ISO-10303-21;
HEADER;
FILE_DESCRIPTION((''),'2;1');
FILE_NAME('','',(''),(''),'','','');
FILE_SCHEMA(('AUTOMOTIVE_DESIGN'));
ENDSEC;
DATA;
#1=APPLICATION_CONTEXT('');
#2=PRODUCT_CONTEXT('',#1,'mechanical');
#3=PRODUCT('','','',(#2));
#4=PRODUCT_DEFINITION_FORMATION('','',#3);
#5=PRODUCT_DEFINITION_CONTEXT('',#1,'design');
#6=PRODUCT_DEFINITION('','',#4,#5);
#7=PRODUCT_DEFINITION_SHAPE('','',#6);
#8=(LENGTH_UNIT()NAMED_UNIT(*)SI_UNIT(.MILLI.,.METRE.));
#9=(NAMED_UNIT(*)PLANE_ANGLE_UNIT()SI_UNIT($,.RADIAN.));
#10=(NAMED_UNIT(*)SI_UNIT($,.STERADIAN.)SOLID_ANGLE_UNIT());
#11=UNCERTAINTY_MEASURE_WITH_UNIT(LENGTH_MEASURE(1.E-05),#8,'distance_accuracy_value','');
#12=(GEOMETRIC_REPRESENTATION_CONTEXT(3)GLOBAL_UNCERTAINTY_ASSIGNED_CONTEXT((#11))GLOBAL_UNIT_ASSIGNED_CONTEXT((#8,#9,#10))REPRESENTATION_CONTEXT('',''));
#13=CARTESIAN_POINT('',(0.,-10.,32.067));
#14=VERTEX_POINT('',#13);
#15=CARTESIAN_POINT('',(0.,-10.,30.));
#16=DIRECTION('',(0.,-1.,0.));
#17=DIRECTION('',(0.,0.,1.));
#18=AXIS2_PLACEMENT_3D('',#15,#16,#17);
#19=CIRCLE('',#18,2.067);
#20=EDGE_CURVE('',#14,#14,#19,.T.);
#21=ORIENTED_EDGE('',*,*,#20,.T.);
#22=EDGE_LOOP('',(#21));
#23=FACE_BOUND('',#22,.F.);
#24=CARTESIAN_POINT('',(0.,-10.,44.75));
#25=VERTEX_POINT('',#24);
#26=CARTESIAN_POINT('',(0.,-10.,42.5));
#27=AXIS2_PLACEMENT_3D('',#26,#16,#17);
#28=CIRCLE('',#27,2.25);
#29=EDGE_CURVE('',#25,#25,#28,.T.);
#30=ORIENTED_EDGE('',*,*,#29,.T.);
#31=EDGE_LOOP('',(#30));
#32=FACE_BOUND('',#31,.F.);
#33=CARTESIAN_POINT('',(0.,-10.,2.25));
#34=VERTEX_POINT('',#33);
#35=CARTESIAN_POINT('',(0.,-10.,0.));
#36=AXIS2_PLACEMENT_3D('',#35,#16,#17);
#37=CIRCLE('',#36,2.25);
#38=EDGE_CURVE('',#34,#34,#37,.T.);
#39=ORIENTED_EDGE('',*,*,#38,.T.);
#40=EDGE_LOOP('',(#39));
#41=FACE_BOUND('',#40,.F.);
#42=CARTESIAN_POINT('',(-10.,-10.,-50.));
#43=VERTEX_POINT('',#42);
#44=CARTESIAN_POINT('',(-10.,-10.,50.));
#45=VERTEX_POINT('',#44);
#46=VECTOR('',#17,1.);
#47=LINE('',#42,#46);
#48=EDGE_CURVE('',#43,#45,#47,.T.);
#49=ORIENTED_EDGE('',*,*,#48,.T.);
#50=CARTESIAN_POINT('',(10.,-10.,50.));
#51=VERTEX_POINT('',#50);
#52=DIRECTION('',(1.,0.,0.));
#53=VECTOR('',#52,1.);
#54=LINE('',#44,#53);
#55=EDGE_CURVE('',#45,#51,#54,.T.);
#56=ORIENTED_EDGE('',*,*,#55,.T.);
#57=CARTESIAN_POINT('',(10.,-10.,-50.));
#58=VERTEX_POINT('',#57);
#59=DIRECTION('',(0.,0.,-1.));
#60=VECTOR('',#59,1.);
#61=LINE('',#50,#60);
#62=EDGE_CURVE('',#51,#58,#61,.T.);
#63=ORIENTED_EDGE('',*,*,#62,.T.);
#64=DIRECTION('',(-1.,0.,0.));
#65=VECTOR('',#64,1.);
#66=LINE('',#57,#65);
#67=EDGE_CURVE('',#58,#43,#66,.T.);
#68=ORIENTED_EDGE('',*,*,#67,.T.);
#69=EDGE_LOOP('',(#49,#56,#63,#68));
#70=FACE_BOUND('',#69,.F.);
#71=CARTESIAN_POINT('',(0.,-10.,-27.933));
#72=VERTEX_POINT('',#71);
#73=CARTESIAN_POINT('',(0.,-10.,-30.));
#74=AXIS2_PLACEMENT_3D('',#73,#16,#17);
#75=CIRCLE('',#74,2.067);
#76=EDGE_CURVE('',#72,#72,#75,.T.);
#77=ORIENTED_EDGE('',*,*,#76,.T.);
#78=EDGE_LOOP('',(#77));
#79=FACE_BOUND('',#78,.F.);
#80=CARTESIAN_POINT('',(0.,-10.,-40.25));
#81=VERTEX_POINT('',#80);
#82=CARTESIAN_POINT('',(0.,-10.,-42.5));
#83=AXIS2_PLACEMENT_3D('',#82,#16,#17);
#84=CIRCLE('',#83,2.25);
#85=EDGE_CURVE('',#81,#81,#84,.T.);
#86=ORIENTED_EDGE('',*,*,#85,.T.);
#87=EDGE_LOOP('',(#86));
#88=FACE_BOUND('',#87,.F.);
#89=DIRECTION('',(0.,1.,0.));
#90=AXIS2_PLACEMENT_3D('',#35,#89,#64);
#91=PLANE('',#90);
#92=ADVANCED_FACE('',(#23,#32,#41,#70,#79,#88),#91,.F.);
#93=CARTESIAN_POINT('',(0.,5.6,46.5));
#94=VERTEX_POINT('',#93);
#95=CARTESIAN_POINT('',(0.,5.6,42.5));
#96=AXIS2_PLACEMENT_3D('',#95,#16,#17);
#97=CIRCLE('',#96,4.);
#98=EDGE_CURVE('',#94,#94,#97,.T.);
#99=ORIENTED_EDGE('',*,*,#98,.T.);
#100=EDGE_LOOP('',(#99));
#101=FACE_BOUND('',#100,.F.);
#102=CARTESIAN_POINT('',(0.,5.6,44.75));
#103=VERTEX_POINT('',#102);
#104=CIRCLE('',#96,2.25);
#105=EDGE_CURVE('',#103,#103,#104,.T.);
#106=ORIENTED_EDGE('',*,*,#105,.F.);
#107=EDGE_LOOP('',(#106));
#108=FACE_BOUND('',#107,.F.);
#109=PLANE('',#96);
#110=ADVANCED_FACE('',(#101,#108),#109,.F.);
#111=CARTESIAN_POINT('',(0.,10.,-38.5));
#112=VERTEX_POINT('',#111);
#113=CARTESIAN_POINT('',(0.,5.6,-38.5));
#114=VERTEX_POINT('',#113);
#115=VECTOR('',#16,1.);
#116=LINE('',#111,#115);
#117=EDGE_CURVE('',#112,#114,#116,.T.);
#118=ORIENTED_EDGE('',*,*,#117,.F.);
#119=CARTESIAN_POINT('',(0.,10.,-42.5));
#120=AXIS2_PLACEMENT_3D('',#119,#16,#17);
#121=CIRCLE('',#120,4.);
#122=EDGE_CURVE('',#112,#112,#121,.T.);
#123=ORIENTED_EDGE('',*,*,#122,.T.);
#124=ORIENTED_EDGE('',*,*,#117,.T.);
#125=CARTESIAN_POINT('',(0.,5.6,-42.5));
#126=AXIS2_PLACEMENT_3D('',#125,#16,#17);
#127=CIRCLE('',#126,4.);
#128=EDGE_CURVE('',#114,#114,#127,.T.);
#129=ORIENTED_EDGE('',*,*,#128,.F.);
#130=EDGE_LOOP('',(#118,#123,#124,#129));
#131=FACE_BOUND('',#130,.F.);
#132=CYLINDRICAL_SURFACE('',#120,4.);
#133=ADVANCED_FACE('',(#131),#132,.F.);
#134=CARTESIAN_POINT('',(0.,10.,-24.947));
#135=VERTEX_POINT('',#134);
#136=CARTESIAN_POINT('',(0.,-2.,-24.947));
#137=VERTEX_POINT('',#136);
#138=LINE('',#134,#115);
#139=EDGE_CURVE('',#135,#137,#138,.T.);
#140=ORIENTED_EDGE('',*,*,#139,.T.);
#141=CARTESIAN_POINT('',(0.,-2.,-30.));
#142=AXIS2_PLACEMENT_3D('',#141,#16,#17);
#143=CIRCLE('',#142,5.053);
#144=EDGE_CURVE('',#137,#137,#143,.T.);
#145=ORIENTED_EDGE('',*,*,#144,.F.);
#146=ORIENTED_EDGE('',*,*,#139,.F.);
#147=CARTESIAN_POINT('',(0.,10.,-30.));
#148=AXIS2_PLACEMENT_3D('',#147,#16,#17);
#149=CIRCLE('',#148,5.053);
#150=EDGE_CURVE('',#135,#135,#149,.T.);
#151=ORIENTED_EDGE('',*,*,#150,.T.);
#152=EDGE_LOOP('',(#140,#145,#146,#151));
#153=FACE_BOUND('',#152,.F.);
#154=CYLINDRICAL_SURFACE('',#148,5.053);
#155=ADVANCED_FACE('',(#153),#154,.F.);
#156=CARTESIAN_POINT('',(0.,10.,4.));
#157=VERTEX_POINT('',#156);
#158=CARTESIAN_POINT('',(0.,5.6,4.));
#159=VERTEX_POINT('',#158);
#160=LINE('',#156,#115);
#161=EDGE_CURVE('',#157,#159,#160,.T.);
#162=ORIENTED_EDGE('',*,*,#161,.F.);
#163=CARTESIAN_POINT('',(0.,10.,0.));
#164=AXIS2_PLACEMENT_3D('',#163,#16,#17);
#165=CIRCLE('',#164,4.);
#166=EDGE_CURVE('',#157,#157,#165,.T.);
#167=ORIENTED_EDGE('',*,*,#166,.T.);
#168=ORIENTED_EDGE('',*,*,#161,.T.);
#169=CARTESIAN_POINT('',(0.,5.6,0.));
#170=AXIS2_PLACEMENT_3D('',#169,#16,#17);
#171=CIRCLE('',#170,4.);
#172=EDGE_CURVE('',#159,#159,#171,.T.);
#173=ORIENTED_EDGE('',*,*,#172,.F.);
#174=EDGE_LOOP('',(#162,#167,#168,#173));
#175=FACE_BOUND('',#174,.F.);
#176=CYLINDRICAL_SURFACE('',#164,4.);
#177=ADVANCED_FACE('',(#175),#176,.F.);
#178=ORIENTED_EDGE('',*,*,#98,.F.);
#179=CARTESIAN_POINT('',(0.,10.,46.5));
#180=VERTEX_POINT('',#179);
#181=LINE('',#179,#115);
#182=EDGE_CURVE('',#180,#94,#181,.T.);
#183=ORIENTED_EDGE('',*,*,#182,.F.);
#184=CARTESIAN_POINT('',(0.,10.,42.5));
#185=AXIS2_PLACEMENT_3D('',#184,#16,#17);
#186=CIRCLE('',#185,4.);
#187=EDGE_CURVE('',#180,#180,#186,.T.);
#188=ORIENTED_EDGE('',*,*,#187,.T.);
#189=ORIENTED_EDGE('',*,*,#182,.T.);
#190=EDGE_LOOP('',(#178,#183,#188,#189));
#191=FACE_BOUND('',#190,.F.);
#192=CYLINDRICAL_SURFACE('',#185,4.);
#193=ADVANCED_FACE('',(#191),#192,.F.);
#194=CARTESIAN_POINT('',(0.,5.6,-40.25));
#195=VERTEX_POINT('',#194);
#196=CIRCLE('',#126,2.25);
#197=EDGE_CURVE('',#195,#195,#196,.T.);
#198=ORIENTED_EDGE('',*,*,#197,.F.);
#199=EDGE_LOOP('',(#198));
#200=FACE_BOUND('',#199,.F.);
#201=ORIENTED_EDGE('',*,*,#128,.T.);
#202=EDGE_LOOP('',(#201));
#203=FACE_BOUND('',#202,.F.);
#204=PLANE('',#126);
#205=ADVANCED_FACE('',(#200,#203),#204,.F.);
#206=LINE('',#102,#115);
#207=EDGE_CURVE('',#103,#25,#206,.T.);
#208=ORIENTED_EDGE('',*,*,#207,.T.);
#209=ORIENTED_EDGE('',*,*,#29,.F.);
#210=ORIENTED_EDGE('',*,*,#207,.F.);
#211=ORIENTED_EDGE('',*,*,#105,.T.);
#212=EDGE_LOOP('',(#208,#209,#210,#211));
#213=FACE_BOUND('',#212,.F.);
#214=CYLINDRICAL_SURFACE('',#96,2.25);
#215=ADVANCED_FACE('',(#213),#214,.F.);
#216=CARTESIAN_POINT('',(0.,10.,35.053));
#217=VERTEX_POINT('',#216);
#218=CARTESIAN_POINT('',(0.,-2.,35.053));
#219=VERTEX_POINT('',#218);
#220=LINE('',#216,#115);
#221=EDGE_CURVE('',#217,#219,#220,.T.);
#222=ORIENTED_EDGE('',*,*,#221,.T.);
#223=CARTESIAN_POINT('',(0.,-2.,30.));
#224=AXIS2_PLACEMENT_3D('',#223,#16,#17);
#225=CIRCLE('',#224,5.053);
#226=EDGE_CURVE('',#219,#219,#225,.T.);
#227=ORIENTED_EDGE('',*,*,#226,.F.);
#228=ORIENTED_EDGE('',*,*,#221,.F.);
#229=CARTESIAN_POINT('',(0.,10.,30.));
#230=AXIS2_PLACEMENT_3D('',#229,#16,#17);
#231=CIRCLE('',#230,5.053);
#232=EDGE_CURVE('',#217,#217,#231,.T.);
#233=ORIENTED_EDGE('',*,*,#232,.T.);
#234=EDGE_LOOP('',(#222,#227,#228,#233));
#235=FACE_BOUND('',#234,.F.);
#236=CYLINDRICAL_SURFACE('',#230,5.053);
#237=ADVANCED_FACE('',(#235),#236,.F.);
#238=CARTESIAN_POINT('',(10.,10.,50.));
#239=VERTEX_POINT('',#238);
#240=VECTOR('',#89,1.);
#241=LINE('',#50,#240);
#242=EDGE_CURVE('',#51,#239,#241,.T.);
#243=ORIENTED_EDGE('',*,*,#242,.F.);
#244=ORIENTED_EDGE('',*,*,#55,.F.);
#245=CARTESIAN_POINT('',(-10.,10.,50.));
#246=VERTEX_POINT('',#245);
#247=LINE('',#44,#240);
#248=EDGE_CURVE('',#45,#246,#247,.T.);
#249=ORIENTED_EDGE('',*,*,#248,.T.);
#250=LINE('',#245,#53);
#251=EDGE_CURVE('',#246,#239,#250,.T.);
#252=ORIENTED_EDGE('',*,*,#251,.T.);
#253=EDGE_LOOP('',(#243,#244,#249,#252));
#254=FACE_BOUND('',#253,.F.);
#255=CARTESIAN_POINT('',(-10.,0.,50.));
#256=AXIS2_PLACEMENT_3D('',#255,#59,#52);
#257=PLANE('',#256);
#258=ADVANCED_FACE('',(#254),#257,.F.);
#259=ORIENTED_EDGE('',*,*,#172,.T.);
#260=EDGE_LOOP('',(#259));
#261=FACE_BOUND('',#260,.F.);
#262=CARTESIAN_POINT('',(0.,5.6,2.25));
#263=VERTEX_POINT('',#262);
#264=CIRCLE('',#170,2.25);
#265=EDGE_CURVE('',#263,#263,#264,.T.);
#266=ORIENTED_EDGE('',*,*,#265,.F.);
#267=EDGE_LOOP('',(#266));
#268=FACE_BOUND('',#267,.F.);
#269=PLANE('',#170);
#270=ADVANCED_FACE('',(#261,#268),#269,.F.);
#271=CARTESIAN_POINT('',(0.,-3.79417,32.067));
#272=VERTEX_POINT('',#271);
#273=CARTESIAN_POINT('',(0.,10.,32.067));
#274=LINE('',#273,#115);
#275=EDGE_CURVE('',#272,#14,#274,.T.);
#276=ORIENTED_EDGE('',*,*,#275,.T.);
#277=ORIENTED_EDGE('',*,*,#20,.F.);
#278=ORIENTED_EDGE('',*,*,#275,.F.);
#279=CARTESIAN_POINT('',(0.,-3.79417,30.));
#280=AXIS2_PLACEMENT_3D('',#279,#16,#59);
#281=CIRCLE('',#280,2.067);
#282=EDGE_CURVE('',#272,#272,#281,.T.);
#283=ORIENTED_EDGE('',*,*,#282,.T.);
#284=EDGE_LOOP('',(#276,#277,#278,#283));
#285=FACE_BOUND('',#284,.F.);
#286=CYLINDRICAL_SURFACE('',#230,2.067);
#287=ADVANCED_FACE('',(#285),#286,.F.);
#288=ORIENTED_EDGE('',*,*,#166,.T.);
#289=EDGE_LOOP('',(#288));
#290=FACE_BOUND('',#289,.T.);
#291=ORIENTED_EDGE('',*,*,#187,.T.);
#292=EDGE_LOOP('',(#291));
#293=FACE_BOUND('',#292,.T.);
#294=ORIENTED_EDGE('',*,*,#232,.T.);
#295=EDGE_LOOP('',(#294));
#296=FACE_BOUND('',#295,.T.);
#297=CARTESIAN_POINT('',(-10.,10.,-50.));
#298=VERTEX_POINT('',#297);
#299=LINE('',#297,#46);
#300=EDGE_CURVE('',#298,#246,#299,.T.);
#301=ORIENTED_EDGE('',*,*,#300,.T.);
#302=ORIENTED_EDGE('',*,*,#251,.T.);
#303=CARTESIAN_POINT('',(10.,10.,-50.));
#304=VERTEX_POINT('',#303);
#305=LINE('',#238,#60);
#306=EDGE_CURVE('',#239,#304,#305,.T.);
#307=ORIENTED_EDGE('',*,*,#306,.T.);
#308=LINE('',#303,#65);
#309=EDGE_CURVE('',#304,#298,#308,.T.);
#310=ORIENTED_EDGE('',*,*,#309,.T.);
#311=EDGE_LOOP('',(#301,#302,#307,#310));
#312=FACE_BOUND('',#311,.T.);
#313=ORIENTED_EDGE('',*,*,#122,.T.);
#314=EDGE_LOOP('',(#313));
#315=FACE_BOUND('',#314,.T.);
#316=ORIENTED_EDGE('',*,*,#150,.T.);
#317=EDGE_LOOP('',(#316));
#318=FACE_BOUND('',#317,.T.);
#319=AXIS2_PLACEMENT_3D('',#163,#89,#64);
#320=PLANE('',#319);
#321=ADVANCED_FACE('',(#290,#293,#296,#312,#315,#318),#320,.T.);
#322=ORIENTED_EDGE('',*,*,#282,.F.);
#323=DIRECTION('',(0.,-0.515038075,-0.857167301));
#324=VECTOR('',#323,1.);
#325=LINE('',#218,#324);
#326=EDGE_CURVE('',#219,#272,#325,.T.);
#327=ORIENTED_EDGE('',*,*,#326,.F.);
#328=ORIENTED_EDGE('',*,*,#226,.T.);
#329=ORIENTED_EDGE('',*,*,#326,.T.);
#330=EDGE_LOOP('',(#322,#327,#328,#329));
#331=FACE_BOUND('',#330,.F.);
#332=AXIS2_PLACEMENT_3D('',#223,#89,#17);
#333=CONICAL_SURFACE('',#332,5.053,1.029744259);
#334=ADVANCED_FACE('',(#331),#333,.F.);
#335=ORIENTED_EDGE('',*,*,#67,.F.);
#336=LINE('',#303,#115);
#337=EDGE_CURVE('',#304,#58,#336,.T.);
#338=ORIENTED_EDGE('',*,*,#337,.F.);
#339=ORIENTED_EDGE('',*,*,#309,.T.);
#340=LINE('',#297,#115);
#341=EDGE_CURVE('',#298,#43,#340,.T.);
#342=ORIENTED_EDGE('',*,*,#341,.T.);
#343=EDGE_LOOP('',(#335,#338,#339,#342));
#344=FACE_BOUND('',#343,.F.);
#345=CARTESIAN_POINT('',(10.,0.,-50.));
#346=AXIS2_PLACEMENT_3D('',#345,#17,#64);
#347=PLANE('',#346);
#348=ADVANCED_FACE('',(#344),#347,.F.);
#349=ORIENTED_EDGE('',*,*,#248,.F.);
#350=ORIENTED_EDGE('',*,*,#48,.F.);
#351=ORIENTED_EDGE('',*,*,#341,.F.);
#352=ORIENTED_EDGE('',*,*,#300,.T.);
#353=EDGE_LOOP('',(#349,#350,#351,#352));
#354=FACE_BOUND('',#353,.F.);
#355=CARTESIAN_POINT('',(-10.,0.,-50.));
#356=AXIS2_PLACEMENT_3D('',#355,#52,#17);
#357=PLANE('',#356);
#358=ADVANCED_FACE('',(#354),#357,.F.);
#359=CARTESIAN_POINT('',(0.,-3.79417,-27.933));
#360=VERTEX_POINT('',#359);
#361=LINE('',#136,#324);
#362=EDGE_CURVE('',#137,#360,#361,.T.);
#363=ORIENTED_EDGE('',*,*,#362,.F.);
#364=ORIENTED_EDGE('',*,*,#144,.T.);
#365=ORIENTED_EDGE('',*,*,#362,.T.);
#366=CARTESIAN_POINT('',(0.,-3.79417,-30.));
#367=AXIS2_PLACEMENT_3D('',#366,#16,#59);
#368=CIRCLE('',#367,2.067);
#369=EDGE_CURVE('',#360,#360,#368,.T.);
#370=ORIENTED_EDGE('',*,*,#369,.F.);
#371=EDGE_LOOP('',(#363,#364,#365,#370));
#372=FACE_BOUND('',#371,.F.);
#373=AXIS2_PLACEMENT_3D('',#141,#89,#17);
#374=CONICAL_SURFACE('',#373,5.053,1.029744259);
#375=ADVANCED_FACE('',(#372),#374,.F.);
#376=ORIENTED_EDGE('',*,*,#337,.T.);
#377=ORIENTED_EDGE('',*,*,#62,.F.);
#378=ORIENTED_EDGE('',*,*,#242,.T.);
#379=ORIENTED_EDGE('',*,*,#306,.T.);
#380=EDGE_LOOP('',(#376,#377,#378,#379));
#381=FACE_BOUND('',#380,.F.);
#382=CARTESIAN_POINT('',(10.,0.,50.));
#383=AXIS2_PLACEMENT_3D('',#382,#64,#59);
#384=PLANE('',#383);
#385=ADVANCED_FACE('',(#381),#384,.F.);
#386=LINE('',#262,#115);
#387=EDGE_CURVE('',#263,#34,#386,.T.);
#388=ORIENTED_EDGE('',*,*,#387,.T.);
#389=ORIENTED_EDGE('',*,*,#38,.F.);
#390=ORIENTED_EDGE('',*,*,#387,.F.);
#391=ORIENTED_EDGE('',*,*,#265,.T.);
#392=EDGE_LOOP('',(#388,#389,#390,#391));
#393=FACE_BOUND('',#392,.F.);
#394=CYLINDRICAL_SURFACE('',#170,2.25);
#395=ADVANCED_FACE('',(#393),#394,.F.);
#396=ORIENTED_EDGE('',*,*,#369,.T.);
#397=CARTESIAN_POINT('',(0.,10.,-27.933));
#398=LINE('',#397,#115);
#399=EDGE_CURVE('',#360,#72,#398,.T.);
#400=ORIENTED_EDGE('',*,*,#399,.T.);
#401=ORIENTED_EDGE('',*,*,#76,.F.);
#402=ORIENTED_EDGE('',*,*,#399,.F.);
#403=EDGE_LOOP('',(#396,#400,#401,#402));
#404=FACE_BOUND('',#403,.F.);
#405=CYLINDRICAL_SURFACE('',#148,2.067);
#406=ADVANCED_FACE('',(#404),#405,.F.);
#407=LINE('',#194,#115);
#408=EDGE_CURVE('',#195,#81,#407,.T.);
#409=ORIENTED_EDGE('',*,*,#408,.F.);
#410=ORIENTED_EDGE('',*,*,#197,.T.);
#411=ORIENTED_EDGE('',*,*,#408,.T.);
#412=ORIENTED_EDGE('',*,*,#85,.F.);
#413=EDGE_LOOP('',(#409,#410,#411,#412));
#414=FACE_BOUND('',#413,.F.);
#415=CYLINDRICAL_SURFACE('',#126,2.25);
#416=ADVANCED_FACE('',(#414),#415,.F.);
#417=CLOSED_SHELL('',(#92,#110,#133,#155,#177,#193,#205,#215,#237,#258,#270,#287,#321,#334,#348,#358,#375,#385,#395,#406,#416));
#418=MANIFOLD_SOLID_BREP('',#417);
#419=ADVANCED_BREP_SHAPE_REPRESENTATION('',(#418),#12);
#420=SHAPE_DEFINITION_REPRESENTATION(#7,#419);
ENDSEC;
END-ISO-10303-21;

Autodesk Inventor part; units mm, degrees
ref_plane "YZ Plane" through (0, 0, 0) normal (1, 0, 0) x (0, 1, 0)
ref_plane "XZ Plane" through (0, 0, 0) normal (0, 1, 0) x (-1, 0, 0)
ref_plane "XY Plane" through (0, 0, 0) normal (0, 0, 1) x (1, 0, 0)
sketch "Skizze1" plane through (0, 0, 0) normal (0, 1, 0) x (-1, 0, 0)
  line L0 (10, 50) -> (-10, 50)
  line L1 (-10, 50) -> (-10, -50)
  line L2 (-10, -50) -> (10, -50)
  line L3 (10, -50) -> (10, 50)
  line L4 (10, 50) -> (-10, -50) construction
  line L5 (-10, 50) -> (10, -50) construction
  point P0 (0, 0)
  dimension "d0" = 100
  dimension "d1" = 20
extrude "Extrusion1" add sketch "Skizze1" along normal mid plane 20
sketch "Skizze2" plane through (0, 10, 0) normal (0, 1, 0) x (1, 0, 0)
  line L0 (-10, 50) -> (-10, -50) projected
  line L1 (-10, 0) -> (10, 0)
  line L2 (10, -50) -> (10, 50) projected
  point P0 (0, 0)
  point P1 (0, -30)
  point P2 (0, 30)
  dimension "d4" = 60
hole "Bohrung1" at (0, 10, 30) at (0, 10, -30) direction (0, -1, 0) diameter 10.106 depth 12 tip angle 118 thread size "M12x1.75" class "6H" standard "ISO Metric profile"
sketch "Skizze3" plane through (0, 10, 0) normal (0, 1, 0) x (1, 0, 0)
  circle A0 centre (0, -30) radius 5.053 projected
  point P0 (0, 0)
hole "Bohrung2" at (0, 10, 30) direction (0, -1, 0) diameter 4.134 end through all thread size "M5x0.8" class "6H" standard "ISO Metric profile"
sketch "Skizze4" plane through (0, 10, 0) normal (0, 1, 0) x (1, 0, 0)
  circle A0 centre (0, 30) radius 5.053 projected
  point P0 (0, 0)
hole "Bohrung3" at (0, 10, -30) direction (0, -1, 0) diameter 4.134 end through all thread size "M5x0.8" class "6H" standard "ISO Metric profile"
sketch "Skizze5" plane through (0, 10, 0) normal (0, 1, 0) x (1, 0, 0)
  line L0 (-10, -50) -> (-10, 50) projected
  line L1 (-10, 0) -> (10, 0)
  line L2 (10, 50) -> (10, -50) projected
  point P0 (0, 0)
  point P1 (0, -42.5)
  point P2 (0, 0)
  point P3 (0, 42.5)
  point P4 (0, 0)
  dimension "d26" = 85
hole "Bohrung4" at (0, 10, 0) at (0, 10, -42.5) at (0, 10, 42.5) direction (0, -1, 0) diameter 4.5 depth 20 counterbore diameter 8 counterbore depth 4.4
properties part number "106.014.01_Anbindung_Vereinzelung" material "Aluminium 6061"
